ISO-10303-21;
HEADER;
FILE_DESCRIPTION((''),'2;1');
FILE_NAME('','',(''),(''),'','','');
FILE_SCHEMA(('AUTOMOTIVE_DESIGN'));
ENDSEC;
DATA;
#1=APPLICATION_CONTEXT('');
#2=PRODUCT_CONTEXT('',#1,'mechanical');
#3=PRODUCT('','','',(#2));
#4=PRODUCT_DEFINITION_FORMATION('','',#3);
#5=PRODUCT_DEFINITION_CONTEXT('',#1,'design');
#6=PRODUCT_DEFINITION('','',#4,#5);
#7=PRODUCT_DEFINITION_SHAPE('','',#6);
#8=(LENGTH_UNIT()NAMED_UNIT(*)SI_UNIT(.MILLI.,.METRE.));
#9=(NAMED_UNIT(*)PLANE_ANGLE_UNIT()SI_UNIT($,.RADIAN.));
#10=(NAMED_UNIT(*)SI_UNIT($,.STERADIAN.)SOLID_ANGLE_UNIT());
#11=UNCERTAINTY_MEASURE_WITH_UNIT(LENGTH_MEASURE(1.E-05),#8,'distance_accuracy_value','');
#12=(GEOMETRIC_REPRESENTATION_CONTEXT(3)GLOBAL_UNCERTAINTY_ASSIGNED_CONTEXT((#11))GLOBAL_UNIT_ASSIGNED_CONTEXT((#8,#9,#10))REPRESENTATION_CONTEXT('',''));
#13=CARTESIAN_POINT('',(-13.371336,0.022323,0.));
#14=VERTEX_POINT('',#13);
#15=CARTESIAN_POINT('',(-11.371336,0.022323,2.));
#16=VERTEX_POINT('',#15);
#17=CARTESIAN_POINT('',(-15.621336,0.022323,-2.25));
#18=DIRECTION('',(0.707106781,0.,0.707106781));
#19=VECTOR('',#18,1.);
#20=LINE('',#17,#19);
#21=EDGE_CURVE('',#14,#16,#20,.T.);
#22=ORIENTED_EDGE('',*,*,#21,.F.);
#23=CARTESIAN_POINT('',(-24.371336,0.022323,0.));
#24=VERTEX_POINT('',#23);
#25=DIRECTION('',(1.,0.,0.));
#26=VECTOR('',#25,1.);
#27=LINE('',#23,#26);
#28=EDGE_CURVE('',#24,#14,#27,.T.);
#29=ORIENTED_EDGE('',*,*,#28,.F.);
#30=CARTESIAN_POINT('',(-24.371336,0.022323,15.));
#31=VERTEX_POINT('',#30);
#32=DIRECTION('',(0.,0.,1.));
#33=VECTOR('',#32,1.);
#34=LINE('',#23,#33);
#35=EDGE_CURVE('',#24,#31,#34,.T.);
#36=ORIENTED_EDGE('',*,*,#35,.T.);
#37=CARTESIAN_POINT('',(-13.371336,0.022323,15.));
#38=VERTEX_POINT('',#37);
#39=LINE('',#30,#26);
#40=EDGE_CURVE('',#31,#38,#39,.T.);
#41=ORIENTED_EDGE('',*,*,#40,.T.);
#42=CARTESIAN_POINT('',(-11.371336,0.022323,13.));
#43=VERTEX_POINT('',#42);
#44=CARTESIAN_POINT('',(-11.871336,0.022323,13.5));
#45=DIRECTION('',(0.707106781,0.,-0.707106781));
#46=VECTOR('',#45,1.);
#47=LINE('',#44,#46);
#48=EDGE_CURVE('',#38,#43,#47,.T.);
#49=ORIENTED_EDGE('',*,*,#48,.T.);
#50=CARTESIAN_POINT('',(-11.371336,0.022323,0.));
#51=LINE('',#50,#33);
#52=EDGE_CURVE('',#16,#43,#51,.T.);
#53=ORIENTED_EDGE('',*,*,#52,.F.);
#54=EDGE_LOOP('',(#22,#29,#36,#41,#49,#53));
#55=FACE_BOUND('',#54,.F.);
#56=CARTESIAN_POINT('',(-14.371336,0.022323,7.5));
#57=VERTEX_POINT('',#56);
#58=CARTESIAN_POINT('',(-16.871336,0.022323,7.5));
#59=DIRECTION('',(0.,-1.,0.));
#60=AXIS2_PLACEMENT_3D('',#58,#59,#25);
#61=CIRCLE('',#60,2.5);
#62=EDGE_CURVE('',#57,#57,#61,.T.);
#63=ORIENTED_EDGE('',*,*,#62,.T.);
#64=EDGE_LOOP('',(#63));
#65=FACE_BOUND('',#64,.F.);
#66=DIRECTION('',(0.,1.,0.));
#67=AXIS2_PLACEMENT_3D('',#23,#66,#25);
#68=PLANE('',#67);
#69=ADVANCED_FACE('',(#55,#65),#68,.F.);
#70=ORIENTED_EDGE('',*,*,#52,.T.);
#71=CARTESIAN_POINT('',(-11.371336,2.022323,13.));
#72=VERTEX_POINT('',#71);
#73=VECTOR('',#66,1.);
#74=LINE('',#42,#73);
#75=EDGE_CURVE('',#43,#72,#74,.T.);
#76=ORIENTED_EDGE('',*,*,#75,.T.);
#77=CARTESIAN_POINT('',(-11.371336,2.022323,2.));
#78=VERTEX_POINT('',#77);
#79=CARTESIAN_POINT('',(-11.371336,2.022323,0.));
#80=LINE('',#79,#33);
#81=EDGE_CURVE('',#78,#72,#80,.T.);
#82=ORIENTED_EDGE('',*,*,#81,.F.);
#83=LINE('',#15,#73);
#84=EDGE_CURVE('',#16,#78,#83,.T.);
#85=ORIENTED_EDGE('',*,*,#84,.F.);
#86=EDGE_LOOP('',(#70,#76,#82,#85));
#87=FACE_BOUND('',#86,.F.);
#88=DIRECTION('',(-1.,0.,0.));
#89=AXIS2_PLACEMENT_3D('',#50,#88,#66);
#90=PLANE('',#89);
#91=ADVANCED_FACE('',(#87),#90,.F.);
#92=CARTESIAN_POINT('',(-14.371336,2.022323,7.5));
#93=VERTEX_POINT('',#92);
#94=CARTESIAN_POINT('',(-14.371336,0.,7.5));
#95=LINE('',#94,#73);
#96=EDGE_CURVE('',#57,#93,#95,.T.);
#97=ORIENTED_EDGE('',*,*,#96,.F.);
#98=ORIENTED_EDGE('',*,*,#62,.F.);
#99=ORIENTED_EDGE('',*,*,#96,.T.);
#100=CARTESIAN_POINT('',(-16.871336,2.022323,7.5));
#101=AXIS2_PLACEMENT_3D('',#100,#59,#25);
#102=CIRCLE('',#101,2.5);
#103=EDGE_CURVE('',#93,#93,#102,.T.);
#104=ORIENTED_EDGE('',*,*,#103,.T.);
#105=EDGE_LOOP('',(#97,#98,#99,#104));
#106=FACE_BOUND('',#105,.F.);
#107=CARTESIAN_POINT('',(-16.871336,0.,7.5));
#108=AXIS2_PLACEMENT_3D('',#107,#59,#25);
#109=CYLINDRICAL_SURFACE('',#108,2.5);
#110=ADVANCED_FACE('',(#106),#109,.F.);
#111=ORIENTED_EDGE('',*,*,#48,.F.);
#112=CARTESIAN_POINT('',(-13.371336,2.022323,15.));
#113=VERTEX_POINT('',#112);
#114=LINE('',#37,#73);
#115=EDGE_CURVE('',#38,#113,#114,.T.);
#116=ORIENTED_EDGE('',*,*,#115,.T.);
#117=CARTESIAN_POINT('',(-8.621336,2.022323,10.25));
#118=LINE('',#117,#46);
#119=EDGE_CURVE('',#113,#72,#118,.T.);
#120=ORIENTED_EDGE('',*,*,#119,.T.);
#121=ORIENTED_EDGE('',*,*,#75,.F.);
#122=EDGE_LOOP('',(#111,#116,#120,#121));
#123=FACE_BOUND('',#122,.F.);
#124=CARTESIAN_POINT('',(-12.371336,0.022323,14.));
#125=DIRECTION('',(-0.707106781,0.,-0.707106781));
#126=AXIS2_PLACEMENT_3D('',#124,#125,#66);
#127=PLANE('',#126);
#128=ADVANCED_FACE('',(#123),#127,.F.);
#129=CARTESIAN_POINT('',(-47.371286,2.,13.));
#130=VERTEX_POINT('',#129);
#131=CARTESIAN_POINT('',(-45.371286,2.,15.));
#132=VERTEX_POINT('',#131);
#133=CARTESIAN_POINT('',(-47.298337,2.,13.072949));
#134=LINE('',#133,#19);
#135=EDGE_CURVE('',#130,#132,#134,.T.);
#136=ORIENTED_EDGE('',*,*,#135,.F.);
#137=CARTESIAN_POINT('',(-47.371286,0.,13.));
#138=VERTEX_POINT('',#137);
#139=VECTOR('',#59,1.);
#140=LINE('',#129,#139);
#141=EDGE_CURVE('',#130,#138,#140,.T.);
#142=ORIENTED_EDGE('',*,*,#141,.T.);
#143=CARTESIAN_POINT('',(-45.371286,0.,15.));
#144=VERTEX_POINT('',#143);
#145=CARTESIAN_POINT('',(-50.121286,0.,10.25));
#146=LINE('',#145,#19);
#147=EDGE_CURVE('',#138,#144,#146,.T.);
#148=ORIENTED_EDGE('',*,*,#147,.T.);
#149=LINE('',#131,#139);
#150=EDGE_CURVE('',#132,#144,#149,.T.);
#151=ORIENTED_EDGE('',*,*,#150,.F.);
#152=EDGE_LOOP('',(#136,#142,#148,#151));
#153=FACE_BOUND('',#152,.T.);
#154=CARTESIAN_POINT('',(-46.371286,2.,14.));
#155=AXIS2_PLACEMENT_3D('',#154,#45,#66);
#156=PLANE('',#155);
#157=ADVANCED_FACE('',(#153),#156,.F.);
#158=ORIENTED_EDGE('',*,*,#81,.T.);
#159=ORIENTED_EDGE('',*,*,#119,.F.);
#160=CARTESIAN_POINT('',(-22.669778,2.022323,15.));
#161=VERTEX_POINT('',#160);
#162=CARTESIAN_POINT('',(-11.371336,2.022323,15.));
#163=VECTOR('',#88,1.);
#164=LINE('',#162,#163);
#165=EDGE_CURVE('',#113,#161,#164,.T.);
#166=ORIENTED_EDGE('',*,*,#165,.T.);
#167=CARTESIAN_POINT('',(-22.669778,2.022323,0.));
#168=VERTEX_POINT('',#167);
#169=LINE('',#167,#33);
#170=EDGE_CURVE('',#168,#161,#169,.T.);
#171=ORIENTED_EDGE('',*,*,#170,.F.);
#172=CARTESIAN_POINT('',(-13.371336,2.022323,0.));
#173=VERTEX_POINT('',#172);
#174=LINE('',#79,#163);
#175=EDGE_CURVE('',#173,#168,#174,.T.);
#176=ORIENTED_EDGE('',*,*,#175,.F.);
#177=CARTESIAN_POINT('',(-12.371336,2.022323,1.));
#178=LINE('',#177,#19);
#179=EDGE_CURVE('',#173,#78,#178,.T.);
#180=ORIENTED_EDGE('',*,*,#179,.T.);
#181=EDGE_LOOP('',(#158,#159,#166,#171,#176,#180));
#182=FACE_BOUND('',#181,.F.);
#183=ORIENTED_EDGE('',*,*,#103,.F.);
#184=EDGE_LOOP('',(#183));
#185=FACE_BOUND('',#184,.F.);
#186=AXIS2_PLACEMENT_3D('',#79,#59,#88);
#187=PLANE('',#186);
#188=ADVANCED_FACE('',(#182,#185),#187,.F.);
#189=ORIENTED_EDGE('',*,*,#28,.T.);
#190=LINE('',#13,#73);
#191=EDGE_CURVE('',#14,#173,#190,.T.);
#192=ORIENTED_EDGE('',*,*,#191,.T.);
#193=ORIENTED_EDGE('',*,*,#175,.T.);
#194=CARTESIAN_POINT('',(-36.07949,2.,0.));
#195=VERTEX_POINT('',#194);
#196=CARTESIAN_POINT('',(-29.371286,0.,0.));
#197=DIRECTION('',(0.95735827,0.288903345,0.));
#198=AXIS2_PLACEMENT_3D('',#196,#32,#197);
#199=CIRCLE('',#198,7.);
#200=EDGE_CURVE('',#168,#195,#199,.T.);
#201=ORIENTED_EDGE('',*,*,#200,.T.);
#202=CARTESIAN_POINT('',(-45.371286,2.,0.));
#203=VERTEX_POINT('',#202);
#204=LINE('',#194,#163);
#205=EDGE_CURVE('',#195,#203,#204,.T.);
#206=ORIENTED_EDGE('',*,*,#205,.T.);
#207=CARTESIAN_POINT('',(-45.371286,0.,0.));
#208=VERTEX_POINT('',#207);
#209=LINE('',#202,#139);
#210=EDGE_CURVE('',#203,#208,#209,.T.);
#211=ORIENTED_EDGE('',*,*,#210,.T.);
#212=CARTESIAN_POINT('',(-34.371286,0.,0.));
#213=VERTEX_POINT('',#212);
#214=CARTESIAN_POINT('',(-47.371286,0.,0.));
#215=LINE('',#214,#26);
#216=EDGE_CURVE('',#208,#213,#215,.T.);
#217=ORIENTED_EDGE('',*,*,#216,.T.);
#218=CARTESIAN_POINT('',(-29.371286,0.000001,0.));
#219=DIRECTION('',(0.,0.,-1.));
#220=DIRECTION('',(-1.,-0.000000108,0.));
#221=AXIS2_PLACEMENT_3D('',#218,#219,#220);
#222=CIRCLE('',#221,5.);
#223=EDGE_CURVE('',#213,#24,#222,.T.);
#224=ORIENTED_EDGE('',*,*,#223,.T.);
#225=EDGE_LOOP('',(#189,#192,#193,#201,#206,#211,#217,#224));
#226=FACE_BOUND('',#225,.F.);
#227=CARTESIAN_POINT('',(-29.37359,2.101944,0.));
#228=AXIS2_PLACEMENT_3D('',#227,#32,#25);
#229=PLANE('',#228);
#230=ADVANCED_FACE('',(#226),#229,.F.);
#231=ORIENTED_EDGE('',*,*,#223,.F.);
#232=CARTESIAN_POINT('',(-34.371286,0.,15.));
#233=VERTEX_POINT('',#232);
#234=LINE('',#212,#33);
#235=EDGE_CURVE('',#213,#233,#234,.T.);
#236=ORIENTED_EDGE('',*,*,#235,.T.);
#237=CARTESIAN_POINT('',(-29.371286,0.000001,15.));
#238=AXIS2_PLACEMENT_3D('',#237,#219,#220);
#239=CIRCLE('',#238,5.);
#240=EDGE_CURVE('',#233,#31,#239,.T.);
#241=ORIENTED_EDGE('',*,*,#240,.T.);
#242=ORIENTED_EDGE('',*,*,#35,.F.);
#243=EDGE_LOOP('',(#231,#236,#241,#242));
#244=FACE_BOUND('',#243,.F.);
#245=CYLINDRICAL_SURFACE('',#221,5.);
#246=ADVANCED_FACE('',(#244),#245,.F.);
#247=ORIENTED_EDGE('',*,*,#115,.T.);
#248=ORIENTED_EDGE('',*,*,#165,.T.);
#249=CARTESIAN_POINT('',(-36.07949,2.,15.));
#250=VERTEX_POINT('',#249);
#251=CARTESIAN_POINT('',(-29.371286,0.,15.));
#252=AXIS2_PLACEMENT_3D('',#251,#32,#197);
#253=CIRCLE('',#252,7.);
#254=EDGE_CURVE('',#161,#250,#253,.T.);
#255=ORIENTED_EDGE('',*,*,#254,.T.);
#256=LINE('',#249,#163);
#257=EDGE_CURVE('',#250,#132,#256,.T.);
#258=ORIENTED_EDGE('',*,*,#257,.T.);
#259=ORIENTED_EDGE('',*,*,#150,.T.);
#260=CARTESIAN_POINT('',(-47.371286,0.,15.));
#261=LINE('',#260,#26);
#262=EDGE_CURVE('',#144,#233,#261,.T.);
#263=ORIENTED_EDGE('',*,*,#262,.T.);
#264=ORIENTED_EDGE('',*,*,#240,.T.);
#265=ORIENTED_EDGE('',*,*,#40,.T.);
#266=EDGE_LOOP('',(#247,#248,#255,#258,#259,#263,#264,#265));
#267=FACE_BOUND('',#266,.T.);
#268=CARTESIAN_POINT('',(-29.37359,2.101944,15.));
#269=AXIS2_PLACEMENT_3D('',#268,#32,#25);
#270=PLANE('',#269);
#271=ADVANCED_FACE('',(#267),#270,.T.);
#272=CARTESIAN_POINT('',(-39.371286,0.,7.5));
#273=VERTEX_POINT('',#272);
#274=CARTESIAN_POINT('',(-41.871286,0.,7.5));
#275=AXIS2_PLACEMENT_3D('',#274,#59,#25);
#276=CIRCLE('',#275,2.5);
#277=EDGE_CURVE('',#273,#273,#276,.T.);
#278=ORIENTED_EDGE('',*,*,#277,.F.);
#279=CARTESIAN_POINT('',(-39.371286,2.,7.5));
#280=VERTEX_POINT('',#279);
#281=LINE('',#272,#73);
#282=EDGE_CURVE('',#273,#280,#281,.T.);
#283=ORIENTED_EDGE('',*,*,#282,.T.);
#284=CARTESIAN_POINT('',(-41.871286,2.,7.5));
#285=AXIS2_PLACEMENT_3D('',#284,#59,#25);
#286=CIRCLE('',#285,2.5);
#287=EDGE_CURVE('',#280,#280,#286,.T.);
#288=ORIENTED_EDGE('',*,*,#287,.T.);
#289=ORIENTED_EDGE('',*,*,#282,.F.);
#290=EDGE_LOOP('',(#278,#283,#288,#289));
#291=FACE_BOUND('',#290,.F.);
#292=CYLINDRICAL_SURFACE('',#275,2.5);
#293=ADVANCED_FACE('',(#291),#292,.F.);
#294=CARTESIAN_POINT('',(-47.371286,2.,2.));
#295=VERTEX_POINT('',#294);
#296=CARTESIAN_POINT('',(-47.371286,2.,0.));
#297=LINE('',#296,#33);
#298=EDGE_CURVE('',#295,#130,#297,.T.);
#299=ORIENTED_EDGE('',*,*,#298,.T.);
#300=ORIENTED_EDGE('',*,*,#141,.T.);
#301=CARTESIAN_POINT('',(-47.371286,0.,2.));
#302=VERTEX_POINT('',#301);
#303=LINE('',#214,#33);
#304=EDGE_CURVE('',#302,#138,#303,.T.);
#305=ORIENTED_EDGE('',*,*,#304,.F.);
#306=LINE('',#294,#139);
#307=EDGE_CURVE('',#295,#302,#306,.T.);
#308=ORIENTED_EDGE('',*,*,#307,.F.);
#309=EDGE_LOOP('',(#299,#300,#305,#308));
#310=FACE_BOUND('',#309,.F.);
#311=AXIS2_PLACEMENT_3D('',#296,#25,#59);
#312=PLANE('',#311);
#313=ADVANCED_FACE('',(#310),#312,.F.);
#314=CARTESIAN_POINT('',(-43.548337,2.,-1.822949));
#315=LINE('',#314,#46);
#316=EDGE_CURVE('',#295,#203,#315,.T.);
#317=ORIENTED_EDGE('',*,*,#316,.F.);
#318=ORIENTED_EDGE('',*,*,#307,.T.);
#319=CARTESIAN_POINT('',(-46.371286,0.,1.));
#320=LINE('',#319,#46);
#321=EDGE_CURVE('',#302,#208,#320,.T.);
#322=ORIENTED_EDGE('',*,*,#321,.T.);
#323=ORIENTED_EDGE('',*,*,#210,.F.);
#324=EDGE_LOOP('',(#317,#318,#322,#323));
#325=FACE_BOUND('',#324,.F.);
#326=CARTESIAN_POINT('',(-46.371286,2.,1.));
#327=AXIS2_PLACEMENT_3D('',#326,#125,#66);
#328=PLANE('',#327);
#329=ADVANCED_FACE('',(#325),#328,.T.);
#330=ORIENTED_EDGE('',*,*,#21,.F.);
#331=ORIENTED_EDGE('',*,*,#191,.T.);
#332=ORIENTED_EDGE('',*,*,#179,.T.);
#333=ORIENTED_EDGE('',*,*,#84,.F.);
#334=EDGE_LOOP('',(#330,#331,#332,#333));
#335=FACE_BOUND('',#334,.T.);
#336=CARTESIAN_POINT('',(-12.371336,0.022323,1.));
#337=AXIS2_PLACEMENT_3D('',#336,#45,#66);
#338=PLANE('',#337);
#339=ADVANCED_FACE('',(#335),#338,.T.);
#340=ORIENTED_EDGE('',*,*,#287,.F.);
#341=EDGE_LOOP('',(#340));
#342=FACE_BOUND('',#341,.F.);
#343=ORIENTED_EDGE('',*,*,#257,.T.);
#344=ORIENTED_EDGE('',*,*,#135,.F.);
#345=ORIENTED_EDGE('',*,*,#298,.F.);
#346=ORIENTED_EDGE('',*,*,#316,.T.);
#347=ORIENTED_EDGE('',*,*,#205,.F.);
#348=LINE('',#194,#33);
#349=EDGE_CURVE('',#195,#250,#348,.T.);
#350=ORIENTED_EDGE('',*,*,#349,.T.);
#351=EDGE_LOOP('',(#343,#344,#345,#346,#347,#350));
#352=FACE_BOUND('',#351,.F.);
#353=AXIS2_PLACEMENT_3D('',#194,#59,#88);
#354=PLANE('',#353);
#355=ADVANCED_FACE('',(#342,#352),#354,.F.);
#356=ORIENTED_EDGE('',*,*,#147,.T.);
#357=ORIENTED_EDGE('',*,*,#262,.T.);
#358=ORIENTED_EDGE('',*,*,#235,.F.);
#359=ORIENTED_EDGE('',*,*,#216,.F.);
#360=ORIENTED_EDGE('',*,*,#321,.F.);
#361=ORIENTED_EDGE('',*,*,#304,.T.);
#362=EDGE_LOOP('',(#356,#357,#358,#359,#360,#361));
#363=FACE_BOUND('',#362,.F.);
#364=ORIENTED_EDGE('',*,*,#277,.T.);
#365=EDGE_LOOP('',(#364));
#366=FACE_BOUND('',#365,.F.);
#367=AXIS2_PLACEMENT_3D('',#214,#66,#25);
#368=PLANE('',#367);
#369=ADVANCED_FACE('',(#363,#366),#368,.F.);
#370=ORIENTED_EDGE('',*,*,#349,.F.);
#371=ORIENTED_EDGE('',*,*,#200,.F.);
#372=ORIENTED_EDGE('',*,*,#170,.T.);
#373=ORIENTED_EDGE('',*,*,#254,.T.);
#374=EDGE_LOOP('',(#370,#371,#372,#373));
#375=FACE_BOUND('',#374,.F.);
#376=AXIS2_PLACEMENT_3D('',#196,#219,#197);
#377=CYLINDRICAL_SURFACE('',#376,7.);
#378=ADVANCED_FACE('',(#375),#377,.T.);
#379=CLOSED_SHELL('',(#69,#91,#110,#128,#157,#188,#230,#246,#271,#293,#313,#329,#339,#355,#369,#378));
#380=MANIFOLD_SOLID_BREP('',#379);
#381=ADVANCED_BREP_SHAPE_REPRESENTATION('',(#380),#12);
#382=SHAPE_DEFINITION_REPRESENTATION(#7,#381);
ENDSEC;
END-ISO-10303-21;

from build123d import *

# Parameters (mm, degrees)
F1_DEPTH = 15
F2_R     = 2.5
F3_DEPTH = 7.001
F4_SIZE  = 2


with BuildPart() as f1:
    # F0 (on Top) → F1 (new body)
    with BuildSketch(Plane.XY):
        with BuildLine():
            Line((-47.371286, 2), (-47.371286, 0))
            Line((-47.371286, 0), (-34.371286, 0))
            ThreePointArc((-34.371286, 0), (-29.382447, 4.999988), (-24.371336, 0.022323))
            Line((-24.371336, 0.022323), (-11.371336, 0.022323))
            Line((-11.371336, 0.022323), (-11.371336, 2.022323))
            Line((-11.371336, 2.022323), (-22.669778, 2.022323))
            ThreePointArc((-22.669778, 2.022323), (-29.382938, 6.99999), (-36.07949, 2))
            Line((-36.07949, 2), (-47.371286, 2))
        make_face()
    extrude(amount=F1_DEPTH)

    # F2 (on Front) → F3 (cut, through all)
    with BuildSketch(Plane.XZ):
        with Locations((-41.871286, 7.5)):
            Circle(F2_R)
        with Locations((-16.871336, 7.5)):
            Circle(F2_R)
    extrude(amount=-F3_DEPTH, mode=Mode.SUBTRACT)

    # F4
    f4_edges = [f1.edges().sort_by_distance(p)[0] for p in [
        (-11.371336, 1.022323, 15),
        (-47.371286, 1, 15),
        (-11.371336, 1.022323, 0),
        (-47.371286, 1, 0),
    ]]
    chamfer(f4_edges, length=F4_SIZE)


solid = f1.part
